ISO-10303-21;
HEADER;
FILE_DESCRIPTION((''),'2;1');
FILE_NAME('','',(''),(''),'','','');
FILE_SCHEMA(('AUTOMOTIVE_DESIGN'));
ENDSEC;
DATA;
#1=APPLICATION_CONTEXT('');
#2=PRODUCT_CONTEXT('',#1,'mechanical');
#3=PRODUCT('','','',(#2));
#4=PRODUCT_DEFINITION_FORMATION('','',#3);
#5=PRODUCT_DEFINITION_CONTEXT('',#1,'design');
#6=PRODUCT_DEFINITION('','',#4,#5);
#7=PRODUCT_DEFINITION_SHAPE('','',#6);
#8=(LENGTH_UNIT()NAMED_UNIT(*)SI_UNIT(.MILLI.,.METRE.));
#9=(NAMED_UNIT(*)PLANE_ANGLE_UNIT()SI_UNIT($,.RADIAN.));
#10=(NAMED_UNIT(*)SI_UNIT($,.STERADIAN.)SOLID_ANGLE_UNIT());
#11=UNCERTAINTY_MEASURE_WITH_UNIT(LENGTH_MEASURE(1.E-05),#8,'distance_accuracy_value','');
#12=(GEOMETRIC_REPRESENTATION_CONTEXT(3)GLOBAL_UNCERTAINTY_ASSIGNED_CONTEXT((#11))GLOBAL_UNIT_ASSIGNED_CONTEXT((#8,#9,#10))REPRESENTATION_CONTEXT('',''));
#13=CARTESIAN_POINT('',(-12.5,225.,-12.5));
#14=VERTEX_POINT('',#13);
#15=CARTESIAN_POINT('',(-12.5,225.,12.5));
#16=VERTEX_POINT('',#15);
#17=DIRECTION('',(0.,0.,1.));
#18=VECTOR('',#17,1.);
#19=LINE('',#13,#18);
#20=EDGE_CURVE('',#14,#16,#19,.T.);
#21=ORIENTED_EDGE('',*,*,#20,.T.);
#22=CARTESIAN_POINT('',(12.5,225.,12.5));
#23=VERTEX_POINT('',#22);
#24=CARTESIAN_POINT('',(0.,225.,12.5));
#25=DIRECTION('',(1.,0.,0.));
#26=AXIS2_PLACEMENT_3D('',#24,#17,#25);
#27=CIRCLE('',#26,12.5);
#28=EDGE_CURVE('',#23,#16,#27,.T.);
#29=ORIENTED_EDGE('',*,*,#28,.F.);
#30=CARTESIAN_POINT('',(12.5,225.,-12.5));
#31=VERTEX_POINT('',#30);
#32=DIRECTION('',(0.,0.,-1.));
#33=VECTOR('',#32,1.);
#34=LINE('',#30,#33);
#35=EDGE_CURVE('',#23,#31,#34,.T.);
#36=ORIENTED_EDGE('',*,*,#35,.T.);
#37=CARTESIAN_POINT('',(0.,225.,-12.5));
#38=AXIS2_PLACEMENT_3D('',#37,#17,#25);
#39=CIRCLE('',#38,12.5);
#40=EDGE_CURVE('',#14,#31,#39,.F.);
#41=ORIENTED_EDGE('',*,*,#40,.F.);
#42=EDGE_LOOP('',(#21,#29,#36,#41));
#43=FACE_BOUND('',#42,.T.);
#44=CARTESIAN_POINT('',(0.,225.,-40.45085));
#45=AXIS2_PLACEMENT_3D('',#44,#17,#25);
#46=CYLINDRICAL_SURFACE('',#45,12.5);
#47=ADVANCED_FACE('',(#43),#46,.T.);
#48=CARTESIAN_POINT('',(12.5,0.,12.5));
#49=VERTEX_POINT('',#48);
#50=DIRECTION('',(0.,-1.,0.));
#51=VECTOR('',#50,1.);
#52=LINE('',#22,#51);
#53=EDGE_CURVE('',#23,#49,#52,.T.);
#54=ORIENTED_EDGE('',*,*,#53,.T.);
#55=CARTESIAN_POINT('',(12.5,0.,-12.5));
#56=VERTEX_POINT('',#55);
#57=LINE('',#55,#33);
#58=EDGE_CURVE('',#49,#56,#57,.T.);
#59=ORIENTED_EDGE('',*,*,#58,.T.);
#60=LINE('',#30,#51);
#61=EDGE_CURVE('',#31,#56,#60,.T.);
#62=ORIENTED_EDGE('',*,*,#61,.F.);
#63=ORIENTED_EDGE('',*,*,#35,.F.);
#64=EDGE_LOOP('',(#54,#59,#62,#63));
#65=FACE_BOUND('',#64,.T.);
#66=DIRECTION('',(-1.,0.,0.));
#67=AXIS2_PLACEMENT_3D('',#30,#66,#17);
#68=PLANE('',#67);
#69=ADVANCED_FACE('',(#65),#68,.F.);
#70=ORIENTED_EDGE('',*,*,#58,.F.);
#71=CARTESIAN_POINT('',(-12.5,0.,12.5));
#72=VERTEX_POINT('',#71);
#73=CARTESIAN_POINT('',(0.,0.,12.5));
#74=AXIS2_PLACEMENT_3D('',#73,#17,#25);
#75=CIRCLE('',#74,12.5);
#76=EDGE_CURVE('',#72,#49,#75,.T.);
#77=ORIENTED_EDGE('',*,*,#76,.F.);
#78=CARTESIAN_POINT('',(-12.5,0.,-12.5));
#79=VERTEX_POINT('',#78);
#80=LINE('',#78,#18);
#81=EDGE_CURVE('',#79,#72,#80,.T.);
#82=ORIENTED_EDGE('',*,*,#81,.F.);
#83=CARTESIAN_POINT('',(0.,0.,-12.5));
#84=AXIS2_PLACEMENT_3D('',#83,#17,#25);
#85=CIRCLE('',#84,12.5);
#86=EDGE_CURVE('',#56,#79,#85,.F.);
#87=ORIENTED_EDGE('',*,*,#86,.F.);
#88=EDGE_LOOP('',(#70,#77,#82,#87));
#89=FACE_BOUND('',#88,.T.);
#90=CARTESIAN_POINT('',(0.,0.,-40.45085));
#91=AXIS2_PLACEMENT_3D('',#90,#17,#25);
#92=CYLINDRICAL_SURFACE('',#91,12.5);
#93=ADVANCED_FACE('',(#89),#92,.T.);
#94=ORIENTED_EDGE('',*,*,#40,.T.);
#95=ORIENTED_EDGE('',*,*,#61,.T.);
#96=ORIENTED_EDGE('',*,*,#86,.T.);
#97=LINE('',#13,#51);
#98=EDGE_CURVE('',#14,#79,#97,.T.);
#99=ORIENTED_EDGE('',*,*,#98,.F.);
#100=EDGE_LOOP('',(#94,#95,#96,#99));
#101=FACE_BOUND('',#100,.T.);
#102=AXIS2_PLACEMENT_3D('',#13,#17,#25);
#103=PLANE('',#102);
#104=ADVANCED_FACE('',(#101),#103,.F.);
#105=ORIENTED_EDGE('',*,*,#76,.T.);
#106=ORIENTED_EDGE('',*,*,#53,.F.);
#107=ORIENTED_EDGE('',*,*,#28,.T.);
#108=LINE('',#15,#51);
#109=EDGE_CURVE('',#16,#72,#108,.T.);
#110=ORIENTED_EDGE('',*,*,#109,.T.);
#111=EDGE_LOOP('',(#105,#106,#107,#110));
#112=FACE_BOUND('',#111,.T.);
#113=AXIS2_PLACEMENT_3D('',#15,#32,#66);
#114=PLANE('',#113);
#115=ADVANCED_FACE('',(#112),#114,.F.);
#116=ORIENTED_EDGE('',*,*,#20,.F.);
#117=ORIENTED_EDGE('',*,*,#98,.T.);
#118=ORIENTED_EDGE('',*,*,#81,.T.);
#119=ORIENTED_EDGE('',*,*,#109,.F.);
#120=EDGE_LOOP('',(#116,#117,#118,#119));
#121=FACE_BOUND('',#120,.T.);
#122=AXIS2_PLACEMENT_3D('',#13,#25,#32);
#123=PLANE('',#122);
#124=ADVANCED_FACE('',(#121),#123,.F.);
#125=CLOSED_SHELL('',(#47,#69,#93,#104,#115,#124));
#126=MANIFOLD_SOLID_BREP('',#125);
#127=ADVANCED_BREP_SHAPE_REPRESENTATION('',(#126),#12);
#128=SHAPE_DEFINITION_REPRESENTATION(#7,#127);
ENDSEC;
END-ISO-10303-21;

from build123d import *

# Parameters (mm, degrees)
ESQUISSE1_W        = 25
ESQUISSE1_H        = 25
BOSS_EXTRU_1_DEPTH = 225
BOSS_EXTRU_2_DEPTH = 25
BOSS_EXTRU_3_DEPTH = 25


with BuildPart() as part:
    # Esquisse1 → Boss.-Extru.1 (new body)
    with BuildSketch(Plane(origin=(0, 0, 0), x_dir=(1, 0, 0), z_dir=(0, 1, 0))):
        Rectangle(ESQUISSE1_W, ESQUISSE1_H)
    extrude(amount=BOSS_EXTRU_1_DEPTH)

    # Esquisse2 → Boss.-Extru.2 (add)
    with BuildSketch(Plane.XY.offset(12.5)):
        with BuildLine():
            Line((-12.5, 225), (12.5, 225))
            ThreePointArc((12.5, 225), (0, 237.5), (-12.5, 225))
        make_face()
    extrude(amount=-BOSS_EXTRU_2_DEPTH)

    # Esquisse3 → Boss.-Extru.3 (add)
    with BuildSketch(Plane.XY.offset(12.5)):
        with BuildLine():
            Line((-12.5, 0), (12.5, 0))
            ThreePointArc((12.5, 0), (0, -12.5), (-12.5, 0))
        make_face()
    extrude(amount=-BOSS_EXTRU_3_DEPTH)


solid = part.part
